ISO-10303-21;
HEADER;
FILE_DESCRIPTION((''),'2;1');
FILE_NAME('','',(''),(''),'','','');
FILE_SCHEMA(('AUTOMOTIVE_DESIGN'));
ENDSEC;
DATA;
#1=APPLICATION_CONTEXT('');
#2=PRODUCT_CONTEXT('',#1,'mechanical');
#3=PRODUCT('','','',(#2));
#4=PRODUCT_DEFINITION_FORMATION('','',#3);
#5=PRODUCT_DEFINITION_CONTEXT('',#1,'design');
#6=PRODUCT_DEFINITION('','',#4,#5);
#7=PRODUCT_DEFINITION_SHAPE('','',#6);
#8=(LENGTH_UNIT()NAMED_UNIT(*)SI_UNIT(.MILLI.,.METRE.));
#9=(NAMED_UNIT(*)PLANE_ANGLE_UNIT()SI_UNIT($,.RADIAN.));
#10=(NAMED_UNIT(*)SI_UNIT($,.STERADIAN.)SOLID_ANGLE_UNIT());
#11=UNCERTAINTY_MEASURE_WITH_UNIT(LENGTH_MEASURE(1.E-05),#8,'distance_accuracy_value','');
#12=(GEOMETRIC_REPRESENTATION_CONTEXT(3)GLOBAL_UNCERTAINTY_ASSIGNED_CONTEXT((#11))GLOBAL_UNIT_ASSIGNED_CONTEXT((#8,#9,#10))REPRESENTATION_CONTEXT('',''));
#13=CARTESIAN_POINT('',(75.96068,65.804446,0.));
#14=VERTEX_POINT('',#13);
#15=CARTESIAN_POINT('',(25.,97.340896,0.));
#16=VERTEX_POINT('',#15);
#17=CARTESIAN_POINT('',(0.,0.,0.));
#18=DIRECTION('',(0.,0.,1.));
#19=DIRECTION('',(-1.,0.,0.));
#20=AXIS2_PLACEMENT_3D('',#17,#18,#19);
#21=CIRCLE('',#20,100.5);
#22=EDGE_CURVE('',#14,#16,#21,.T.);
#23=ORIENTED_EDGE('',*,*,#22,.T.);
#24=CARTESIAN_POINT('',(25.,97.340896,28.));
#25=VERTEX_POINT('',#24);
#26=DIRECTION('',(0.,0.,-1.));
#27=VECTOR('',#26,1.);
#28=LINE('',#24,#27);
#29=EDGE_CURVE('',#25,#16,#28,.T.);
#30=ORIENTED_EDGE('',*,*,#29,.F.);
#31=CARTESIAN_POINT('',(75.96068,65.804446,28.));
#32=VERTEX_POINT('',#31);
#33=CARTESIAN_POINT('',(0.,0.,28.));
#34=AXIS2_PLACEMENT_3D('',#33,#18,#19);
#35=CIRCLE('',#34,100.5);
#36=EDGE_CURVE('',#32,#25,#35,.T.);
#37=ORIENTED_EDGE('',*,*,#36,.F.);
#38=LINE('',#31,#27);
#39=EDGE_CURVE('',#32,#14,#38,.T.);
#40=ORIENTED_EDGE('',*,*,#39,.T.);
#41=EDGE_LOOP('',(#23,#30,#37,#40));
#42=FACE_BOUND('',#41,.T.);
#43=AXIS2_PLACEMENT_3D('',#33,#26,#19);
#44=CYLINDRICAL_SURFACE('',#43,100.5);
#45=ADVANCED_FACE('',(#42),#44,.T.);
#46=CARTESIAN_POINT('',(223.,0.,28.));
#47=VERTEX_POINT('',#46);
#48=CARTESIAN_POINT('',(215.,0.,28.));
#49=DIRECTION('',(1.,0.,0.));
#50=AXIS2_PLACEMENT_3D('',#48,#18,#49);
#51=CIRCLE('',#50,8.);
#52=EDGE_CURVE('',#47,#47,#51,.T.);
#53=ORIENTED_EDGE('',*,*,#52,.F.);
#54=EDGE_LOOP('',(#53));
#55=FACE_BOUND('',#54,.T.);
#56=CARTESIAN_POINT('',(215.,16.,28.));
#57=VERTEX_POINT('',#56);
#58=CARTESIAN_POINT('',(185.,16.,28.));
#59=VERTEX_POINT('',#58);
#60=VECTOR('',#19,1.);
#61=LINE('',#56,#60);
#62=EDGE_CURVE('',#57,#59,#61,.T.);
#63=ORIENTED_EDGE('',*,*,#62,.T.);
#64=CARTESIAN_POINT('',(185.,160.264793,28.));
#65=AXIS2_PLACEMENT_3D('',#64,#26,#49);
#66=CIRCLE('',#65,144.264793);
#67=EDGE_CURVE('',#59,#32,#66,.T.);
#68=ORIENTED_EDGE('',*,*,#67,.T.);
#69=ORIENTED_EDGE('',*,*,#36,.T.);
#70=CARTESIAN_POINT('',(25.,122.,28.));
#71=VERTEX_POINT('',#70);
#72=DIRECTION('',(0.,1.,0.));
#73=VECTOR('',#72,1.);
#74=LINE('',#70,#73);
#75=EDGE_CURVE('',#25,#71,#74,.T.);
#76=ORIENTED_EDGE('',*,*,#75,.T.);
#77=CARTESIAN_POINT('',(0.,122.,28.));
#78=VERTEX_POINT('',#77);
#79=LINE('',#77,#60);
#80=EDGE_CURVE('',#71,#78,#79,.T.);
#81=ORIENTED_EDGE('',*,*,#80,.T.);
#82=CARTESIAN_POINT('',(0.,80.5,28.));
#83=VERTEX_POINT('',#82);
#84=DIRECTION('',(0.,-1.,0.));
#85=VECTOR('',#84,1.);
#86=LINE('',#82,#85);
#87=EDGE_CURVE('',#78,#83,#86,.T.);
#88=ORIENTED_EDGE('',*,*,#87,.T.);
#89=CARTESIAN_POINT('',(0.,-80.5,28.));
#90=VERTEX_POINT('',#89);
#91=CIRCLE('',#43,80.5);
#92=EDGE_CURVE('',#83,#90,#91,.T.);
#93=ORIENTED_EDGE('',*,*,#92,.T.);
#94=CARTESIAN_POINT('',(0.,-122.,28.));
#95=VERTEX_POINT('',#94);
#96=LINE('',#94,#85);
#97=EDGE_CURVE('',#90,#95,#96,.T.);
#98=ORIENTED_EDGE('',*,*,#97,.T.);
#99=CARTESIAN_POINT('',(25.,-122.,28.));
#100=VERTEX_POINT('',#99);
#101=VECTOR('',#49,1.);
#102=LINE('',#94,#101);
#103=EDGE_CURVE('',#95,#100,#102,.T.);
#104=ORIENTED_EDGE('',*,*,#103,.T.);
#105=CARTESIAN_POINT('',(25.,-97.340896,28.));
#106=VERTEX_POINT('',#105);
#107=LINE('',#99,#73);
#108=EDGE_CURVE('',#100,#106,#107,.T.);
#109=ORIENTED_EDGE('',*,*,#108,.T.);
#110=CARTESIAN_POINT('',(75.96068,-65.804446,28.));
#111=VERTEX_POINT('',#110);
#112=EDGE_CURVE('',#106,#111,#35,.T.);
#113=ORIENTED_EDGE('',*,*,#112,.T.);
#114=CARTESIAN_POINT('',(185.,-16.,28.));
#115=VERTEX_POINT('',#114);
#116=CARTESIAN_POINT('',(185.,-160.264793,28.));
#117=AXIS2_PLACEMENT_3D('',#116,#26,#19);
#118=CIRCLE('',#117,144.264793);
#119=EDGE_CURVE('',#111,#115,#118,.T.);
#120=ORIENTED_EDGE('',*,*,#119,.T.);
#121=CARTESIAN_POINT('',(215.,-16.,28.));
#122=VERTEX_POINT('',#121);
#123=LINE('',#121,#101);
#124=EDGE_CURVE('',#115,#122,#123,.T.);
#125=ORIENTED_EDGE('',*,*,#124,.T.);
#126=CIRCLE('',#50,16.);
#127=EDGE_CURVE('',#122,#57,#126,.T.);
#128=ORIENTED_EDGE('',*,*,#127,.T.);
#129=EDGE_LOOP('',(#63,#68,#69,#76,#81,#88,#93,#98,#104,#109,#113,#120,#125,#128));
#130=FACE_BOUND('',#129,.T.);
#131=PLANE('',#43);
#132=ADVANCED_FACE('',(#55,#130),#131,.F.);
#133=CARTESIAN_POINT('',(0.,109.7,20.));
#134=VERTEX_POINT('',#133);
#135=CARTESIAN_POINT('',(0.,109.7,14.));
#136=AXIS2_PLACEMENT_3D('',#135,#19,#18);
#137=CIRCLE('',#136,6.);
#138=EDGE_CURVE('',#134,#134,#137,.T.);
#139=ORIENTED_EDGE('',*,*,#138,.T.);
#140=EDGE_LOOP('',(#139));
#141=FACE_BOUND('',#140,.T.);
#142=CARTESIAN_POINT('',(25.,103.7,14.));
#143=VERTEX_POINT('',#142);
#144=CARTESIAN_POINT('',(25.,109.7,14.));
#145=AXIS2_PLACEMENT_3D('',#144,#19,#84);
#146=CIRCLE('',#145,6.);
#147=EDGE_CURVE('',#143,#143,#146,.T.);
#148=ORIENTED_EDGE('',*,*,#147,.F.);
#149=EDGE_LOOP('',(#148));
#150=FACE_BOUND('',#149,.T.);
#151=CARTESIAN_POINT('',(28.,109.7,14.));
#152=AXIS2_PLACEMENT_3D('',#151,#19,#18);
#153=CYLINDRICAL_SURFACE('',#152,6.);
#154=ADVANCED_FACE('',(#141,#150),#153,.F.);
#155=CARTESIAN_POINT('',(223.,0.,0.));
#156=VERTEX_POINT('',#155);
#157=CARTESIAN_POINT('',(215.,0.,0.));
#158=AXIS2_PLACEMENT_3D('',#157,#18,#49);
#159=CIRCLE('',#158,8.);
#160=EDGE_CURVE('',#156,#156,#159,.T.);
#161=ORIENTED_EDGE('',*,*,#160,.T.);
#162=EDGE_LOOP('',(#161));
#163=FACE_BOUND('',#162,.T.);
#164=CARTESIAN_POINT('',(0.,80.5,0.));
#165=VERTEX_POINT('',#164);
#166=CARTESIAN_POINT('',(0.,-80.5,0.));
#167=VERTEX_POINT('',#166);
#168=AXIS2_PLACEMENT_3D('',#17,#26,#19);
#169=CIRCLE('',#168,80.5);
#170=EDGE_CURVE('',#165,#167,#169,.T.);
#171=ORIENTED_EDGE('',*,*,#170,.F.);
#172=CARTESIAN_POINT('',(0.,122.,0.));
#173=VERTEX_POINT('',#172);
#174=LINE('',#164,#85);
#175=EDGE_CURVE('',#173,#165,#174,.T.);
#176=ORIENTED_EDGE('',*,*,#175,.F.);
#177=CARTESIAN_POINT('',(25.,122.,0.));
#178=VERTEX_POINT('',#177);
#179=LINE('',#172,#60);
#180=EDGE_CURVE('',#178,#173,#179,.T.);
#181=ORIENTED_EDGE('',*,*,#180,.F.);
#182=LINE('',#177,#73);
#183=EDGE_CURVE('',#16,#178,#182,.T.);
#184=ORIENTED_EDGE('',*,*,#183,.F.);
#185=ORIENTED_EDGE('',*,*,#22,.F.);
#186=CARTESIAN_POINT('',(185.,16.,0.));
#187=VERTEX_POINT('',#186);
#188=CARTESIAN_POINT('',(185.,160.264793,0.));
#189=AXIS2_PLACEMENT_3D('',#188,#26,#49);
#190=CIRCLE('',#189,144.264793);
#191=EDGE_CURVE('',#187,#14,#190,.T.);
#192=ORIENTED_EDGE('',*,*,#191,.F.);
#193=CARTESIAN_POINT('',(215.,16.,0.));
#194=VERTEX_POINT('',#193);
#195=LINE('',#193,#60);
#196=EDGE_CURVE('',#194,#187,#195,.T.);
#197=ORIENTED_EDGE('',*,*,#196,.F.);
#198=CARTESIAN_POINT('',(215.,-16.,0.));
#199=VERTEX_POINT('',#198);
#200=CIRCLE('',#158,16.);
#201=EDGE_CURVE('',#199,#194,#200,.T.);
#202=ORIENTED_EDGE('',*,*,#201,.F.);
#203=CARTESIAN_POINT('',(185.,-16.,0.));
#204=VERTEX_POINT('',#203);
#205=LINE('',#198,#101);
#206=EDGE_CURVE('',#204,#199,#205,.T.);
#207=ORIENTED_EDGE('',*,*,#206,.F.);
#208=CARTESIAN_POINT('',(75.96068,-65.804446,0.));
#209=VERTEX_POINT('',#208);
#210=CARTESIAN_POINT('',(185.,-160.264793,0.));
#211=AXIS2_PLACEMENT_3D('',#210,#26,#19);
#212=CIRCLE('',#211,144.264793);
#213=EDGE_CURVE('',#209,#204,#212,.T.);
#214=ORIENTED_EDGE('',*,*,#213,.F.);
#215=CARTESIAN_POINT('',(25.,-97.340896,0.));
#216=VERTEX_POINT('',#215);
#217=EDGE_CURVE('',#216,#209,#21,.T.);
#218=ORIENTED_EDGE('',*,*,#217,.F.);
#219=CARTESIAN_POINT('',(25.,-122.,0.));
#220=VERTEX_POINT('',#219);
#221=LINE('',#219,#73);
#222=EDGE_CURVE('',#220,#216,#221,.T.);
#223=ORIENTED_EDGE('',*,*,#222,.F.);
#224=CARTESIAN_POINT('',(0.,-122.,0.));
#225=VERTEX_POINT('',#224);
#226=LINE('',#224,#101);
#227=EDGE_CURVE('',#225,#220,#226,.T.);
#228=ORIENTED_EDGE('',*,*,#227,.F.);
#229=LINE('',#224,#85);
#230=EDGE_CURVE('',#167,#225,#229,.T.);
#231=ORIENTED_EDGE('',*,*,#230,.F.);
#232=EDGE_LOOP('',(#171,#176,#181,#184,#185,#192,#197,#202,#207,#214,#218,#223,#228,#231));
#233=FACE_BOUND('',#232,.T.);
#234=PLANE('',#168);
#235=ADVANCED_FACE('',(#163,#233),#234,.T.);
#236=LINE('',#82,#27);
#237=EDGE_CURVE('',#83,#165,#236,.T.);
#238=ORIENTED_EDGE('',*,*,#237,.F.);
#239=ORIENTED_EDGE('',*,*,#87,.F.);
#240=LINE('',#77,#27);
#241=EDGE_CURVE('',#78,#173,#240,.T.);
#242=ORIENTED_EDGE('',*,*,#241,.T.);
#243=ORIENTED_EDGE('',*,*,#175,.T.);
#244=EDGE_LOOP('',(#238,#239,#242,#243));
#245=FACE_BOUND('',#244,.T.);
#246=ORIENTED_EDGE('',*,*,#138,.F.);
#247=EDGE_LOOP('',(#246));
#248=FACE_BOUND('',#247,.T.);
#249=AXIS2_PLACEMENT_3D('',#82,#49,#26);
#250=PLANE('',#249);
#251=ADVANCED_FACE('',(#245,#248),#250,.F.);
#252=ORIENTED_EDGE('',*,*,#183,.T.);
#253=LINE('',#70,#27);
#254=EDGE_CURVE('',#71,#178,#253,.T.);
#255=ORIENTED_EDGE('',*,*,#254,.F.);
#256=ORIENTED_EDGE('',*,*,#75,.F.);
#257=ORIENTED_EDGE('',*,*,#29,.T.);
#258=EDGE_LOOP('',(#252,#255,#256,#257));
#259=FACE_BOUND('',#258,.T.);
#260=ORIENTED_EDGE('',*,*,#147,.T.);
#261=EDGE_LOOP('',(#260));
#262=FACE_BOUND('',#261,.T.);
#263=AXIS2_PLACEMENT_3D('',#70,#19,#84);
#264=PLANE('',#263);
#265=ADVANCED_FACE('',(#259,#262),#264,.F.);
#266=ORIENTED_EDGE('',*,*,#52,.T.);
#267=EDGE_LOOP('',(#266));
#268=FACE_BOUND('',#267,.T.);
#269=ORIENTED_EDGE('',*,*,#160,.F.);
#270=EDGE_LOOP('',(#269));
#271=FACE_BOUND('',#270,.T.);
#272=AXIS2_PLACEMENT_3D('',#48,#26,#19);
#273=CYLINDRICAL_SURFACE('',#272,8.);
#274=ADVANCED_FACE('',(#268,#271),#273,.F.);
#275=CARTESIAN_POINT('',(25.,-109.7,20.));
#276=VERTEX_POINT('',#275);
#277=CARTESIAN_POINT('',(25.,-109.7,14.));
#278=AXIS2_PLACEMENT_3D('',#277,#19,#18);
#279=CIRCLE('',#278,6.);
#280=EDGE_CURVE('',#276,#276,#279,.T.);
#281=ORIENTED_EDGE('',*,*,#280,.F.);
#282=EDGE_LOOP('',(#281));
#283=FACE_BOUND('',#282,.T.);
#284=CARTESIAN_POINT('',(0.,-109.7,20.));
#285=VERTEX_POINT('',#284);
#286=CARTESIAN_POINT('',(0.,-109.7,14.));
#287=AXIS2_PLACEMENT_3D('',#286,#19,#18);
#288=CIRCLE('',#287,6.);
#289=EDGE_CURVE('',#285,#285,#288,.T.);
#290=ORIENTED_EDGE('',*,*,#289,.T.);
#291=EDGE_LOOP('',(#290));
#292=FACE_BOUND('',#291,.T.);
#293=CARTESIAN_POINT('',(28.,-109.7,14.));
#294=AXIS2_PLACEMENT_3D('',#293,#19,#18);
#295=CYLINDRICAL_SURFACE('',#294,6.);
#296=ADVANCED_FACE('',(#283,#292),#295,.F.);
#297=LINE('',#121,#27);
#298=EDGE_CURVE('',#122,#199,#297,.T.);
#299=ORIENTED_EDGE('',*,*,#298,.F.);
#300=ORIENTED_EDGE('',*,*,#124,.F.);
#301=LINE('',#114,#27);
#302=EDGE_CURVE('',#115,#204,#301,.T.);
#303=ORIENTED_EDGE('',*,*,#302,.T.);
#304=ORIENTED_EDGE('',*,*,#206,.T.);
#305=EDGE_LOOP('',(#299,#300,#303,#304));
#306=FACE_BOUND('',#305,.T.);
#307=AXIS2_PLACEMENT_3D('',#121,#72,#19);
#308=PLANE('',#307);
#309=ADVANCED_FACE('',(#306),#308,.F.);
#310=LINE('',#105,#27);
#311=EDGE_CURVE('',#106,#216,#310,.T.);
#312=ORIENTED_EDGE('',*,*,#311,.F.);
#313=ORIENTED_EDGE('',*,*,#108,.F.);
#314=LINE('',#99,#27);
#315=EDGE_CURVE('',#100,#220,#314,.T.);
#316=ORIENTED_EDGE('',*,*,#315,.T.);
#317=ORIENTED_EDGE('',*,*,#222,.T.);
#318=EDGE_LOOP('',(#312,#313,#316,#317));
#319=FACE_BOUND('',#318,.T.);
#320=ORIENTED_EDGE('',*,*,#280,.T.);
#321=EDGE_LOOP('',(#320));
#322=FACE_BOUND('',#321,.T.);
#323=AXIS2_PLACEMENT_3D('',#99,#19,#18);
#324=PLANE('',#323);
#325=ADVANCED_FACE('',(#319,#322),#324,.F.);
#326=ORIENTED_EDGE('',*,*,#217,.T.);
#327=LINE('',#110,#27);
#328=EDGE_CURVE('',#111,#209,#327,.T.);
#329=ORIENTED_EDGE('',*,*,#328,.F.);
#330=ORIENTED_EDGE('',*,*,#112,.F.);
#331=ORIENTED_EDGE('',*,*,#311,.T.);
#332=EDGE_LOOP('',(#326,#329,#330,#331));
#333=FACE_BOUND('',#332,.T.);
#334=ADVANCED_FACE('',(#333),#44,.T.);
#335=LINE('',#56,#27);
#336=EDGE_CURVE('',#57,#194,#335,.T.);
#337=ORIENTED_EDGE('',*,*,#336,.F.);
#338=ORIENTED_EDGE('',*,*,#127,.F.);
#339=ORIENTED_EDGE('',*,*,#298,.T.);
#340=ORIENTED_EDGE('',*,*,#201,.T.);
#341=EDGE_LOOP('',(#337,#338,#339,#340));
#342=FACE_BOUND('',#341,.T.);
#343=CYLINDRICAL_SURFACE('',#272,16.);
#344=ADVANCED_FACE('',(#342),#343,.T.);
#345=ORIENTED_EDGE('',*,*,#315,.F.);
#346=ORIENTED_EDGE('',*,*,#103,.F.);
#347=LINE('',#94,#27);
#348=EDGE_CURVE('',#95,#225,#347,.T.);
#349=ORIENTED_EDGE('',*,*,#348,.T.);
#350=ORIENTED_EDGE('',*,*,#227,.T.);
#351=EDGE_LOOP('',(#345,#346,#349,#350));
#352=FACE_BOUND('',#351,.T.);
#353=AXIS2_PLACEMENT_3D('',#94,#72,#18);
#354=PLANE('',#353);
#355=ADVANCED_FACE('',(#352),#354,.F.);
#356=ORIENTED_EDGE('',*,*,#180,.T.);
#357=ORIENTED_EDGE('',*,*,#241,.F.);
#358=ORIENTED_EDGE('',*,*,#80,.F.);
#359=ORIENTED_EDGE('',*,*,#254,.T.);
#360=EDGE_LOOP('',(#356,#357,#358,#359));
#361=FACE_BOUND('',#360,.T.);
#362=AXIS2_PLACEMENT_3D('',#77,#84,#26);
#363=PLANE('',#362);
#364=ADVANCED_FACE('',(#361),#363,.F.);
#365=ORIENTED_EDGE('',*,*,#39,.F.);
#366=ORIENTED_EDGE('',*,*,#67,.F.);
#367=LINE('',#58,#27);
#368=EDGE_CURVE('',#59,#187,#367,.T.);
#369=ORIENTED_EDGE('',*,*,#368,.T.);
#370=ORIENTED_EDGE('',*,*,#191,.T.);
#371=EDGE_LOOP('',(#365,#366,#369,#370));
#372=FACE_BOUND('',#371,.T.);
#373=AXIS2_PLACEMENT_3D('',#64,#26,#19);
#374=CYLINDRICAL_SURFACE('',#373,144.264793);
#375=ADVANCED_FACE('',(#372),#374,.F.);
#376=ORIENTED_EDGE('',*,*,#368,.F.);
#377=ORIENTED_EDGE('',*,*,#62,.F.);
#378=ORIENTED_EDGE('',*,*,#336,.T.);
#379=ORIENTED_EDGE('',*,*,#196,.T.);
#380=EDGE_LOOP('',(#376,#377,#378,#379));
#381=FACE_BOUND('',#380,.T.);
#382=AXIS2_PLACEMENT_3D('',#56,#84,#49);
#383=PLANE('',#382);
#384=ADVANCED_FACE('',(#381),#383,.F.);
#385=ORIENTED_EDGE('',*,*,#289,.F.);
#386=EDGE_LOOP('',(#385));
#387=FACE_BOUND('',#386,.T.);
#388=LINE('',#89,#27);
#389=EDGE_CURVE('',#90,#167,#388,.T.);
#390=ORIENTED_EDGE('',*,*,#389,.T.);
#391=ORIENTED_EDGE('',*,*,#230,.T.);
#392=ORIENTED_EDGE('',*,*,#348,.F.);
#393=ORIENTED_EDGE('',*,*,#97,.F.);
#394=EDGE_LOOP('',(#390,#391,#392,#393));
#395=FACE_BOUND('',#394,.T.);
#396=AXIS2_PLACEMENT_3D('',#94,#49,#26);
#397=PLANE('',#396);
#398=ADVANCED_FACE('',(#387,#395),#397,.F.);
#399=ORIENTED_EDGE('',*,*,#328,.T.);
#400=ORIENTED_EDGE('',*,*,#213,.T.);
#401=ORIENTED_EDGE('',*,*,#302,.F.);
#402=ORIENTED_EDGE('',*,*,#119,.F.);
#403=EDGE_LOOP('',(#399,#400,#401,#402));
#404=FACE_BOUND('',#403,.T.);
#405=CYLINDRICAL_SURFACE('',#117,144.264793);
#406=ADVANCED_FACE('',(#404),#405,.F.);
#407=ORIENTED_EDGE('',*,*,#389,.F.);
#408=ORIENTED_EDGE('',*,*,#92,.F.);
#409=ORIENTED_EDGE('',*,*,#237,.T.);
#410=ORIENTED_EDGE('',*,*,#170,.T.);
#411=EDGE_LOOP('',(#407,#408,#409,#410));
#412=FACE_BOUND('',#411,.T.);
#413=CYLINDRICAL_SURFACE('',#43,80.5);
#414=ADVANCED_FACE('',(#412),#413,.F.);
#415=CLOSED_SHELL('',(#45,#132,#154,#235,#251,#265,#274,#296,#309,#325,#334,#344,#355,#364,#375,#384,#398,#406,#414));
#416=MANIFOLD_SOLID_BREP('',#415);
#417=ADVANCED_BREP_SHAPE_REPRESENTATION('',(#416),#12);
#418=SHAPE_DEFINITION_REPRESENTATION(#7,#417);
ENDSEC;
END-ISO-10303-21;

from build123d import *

# Parameters (mm, degrees)
SKETCH1_R           = 8
BOSS_EXTRUDE1_DEPTH = 28
SKETCH2_R           = 6
CUT_EXTRUDE1_DEPTH  = 28


with BuildPart() as part:
    # Sketch1 → Boss-Extrude1 (new body)
    with BuildSketch(Plane.XY):
        with BuildLine():
            Line((0, -122), (0, -80.5))
            ThreePointArc((0, -80.5), (80.5, 0), (0, 80.5))
            Line((0, 80.5), (0, 122))
            Line((0, 122), (25, 122))
            Line((25, 122), (25, 97.340895825))
            ThreePointArc((25, 97.340895825), (52.885741133, 85.459630146), (75.960679556, 65.804446365))
            ThreePointArc((75.960679556, 65.804446365), (125.062415213, 29.040494844), (185, 16))
            Line((185, 16), (215, 16))
            ThreePointArc((215, 16), (231, 0), (215, -16))
            Line((215, -16), (185, -16))
            ThreePointArc((185, -16), (125.062415213, -29.040494844), (75.960679556, -65.804446365))
            ThreePointArc((75.960679556, -65.804446365), (52.885741133, -85.459630146), (25, -97.340895825))
            Line((25, -97.340895825), (25, -122))
            Line((25, -122), (0, -122))
        make_face()
        with Locations((215, 0)):
            Circle(SKETCH1_R, mode=Mode.SUBTRACT)
    extrude(amount=BOSS_EXTRUDE1_DEPTH)

    # Sketch2 → Cut-Extrude1 (cut)
    with BuildSketch(Plane.ZY):
        with Locations((14, 109.7)):
            Circle(SKETCH2_R)
        with Locations((14, -109.7)):
            Circle(SKETCH2_R)
    extrude(amount=-CUT_EXTRUDE1_DEPTH, mode=Mode.SUBTRACT)


solid = part.part
